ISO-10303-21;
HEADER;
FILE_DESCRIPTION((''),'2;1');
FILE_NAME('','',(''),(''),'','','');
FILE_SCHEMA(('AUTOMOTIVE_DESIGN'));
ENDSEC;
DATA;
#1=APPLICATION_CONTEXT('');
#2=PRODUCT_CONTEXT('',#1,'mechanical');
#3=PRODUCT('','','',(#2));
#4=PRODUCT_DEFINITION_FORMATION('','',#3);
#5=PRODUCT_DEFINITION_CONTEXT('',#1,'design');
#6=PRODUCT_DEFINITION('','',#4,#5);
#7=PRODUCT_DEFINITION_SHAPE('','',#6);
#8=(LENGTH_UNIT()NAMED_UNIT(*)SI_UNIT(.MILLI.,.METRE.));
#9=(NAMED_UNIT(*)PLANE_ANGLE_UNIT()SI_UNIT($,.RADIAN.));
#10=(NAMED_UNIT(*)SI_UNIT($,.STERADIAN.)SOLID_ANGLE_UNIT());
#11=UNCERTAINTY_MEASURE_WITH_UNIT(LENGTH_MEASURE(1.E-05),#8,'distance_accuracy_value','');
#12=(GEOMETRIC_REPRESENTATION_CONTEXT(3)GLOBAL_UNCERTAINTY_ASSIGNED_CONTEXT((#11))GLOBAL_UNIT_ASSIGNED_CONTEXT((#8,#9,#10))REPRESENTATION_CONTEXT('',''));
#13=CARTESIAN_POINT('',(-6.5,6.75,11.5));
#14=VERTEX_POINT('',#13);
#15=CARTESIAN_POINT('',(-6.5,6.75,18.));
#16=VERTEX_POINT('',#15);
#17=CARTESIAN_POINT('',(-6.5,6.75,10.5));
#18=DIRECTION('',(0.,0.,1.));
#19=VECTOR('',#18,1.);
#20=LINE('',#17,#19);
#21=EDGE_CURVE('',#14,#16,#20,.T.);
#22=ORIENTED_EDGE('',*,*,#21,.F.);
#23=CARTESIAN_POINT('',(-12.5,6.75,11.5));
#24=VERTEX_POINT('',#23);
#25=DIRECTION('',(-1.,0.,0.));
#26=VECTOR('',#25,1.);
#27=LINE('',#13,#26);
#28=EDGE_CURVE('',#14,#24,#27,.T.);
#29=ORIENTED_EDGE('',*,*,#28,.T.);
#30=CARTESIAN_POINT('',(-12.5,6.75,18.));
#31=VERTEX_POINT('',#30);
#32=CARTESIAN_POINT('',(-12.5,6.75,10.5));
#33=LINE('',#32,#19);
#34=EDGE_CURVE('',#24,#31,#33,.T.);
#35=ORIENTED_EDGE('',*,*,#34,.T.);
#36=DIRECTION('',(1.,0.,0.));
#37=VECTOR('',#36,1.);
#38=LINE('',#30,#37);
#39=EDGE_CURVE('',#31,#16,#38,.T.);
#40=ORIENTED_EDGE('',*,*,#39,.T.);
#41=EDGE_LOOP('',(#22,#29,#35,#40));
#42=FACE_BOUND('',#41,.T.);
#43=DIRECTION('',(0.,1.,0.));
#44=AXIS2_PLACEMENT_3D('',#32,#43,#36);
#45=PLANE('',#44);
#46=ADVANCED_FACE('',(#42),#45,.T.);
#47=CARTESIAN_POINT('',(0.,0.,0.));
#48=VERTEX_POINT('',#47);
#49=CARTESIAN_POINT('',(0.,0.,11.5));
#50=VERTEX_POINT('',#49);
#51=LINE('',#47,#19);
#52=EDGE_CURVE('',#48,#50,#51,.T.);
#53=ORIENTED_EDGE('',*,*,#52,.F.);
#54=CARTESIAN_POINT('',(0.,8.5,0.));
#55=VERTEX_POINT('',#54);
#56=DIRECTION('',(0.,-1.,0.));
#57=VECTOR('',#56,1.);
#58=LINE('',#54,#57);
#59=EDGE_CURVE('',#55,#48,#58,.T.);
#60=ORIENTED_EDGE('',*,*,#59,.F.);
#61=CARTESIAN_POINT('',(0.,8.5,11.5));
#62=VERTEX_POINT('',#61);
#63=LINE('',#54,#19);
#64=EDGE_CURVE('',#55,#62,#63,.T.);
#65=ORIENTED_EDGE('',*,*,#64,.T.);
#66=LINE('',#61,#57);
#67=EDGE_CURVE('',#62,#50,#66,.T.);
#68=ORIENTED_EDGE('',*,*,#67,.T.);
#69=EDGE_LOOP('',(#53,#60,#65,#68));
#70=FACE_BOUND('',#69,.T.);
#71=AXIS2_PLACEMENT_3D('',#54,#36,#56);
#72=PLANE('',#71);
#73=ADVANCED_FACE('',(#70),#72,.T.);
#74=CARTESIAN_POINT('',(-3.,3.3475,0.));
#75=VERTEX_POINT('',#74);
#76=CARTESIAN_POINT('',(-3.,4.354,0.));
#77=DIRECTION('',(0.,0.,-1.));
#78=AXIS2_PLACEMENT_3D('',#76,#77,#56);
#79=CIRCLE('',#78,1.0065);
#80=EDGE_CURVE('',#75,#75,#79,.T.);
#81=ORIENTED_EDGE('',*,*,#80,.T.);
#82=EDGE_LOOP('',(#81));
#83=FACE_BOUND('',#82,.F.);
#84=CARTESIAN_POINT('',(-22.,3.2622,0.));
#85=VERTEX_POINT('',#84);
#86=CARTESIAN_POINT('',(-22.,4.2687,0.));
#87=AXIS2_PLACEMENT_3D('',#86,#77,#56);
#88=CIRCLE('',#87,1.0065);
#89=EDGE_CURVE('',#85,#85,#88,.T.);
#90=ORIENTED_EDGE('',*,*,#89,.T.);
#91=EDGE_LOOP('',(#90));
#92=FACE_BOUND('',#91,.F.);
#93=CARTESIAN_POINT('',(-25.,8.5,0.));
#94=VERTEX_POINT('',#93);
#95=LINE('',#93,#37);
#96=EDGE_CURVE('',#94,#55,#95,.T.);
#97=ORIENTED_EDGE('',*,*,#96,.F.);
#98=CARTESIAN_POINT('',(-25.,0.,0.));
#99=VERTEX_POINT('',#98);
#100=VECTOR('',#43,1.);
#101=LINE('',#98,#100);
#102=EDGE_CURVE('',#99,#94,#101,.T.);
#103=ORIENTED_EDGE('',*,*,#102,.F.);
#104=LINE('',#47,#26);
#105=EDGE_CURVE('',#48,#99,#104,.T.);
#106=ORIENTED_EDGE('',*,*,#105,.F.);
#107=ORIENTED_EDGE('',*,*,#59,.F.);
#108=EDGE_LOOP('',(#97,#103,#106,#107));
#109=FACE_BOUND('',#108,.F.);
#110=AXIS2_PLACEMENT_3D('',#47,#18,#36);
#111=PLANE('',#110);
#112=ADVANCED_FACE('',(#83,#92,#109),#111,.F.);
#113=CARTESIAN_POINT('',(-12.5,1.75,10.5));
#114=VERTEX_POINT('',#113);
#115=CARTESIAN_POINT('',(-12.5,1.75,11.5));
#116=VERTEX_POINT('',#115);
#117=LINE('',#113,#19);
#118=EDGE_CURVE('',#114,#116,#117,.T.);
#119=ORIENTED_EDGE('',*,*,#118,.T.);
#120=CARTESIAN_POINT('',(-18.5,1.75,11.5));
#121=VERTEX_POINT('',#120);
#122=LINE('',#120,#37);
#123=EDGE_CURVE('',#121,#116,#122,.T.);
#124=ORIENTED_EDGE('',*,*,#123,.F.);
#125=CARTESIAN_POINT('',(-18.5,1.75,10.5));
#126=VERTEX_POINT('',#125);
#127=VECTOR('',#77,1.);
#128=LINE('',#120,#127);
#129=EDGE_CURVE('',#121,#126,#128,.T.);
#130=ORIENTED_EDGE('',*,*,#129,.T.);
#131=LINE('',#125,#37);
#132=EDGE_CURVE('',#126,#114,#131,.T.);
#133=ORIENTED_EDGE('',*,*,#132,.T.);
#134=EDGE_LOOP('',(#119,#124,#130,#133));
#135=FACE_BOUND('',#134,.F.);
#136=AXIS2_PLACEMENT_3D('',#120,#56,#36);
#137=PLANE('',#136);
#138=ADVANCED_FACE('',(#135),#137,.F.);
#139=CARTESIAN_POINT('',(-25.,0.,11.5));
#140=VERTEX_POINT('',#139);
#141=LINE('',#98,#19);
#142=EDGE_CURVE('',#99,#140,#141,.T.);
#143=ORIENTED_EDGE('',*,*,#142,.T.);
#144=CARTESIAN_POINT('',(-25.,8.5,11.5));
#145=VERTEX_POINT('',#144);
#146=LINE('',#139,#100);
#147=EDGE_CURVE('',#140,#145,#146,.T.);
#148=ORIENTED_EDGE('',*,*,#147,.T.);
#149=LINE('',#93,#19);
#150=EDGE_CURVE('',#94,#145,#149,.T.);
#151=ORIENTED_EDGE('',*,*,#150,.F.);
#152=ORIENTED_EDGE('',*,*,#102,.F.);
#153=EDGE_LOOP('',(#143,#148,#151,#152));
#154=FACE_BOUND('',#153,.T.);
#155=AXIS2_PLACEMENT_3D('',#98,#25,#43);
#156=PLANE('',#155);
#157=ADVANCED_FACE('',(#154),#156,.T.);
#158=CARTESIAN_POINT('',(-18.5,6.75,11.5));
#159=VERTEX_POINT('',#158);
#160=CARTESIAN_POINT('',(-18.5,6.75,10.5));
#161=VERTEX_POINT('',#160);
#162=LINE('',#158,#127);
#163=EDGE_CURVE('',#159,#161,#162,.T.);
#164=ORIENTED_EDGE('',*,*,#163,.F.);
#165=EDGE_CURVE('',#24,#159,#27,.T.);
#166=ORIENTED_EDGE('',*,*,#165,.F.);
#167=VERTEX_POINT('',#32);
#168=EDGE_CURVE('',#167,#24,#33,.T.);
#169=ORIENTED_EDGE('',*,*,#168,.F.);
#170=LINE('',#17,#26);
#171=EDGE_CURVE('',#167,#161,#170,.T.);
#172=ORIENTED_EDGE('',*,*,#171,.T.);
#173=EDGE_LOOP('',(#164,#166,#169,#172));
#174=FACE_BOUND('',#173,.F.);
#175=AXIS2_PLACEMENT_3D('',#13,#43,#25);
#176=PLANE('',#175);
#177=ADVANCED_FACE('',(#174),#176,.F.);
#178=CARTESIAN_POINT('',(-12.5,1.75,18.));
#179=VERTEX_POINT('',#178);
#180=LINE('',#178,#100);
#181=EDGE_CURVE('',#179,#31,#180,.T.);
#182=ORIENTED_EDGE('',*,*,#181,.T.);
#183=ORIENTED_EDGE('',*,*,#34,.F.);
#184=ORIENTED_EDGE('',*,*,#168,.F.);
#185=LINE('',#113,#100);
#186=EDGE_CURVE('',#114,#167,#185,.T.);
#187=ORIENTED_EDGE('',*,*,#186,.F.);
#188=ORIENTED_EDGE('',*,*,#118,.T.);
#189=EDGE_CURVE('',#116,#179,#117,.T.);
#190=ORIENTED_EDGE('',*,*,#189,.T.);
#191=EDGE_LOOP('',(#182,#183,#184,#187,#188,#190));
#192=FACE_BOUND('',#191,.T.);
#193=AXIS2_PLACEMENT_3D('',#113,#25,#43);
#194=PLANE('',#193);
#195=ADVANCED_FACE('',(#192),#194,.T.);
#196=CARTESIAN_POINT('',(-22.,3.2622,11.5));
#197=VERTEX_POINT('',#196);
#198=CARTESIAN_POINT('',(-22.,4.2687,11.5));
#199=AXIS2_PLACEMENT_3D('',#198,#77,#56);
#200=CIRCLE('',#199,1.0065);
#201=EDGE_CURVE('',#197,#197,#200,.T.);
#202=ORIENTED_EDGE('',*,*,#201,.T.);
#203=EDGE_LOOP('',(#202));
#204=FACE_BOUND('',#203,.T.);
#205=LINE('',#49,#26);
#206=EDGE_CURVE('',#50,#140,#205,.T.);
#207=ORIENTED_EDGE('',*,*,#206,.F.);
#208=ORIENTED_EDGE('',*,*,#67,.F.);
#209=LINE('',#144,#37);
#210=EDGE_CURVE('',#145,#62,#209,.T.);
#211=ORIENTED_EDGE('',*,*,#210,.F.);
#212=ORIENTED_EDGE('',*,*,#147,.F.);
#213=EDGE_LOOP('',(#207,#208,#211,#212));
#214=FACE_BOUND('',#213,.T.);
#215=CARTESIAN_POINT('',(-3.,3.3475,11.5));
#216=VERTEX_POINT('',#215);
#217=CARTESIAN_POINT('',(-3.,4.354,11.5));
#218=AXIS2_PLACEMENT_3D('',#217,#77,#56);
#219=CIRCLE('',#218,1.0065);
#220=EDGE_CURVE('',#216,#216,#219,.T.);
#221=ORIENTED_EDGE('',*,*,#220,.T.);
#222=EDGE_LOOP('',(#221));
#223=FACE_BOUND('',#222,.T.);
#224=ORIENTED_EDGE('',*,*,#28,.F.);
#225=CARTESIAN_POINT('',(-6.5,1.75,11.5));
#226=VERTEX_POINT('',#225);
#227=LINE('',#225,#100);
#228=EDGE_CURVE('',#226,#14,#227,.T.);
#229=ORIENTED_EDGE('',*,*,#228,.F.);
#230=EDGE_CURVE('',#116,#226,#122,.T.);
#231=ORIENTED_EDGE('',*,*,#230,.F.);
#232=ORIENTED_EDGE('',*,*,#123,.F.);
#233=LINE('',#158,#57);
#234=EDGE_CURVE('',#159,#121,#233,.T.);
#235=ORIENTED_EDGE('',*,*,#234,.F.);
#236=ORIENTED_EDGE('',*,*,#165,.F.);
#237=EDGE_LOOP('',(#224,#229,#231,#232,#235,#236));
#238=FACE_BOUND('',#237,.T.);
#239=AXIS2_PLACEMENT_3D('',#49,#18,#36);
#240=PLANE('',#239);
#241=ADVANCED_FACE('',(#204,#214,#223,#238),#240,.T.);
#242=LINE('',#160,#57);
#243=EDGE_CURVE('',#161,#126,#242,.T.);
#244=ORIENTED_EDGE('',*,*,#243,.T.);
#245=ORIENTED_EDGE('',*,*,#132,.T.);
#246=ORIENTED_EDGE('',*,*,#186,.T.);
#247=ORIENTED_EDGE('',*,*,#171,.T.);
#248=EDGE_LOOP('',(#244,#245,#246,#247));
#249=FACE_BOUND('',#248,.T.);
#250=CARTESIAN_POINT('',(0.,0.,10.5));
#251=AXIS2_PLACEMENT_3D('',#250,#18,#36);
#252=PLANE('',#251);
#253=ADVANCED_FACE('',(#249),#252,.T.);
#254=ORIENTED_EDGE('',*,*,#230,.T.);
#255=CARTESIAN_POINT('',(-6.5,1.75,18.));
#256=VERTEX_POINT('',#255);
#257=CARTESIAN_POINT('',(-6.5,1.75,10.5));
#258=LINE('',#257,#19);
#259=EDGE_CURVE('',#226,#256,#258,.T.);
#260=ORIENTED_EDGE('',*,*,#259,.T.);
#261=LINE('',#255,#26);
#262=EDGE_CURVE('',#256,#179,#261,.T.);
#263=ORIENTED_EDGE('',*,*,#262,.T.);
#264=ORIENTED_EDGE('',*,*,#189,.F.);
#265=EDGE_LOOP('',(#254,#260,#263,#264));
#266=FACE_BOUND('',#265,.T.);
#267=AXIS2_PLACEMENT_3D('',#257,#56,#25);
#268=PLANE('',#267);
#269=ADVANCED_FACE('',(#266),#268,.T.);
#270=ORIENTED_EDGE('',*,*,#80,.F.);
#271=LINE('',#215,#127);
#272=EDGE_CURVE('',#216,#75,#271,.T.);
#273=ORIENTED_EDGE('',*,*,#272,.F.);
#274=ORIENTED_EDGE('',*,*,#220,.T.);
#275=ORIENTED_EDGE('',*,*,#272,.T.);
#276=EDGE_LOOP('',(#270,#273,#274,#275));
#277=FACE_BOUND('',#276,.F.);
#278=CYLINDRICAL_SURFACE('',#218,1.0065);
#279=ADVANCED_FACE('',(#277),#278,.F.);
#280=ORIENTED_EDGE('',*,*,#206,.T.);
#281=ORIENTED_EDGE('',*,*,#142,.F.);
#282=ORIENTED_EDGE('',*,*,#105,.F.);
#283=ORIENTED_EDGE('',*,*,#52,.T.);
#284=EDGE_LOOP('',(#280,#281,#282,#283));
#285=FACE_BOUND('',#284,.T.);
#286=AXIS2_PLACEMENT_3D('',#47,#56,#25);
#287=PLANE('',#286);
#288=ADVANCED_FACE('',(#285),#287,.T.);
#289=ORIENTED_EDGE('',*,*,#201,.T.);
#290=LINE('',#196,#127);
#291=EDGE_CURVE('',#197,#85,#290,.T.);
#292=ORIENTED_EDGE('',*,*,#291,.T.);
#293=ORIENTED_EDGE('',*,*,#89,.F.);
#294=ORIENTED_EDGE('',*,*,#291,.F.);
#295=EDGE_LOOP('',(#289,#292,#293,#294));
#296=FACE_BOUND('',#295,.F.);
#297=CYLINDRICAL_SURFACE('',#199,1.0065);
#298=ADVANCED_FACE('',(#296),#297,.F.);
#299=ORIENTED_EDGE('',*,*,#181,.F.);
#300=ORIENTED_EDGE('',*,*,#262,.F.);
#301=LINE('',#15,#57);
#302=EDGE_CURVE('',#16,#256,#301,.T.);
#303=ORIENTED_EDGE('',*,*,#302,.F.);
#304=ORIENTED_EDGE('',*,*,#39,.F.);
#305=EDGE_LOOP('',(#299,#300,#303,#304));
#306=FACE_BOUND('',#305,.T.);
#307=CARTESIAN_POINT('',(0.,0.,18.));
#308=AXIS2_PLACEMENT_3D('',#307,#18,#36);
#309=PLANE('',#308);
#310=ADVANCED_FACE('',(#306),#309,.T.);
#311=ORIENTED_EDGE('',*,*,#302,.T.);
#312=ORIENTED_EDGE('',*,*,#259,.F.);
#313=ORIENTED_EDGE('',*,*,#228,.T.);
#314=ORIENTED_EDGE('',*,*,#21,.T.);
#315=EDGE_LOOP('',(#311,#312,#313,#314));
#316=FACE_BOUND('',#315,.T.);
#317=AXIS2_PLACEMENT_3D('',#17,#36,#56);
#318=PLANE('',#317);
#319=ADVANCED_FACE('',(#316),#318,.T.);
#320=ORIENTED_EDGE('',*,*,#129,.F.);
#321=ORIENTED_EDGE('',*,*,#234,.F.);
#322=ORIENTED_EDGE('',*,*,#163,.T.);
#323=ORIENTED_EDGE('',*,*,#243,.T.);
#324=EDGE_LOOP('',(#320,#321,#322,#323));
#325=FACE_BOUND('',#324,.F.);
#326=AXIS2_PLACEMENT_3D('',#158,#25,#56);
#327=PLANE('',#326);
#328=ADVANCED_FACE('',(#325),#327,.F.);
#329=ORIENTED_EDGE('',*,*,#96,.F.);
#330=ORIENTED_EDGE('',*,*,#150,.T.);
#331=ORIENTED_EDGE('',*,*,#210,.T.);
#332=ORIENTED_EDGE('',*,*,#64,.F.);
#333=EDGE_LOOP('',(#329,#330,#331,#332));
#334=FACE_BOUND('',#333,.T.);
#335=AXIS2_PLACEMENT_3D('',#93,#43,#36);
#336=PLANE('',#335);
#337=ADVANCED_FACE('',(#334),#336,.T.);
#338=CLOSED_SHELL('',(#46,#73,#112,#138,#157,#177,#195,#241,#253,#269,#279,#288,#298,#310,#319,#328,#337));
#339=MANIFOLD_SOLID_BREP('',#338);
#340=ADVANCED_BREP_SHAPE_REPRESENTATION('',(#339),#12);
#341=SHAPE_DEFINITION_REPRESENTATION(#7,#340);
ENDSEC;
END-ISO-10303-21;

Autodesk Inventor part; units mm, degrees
ref_plane "Plan YZ" through (0, 0, 0) normal (1, 0, 0) x (0, 1, 0)
ref_plane "Plan XZ" through (0, 0, 0) normal (0, 1, 0) x (-1, 0, 0)
ref_plane "Plan XY" through (0, 0, 0) normal (0, 0, 1) x (1, 0, 0)
sketch "Esquisse1" plane through (0, 0, 0) normal (0, 0, 1) x (1, 0, 0)
  line L0 (0, 0) -> (-25, 0)
  line L1 (-25, 0) -> (-25, 8.5)
  line L2 (-25, 8.5) -> (0, 8.5)
  line L3 (0, 8.5) -> (0, 0)
  dimension "d0" = 25
  dimension "d1" = 8.5
extrude "Extrusion1" add sketch "Esquisse1" along normal blind 11.5
sketch "Esquisse6" plane through (0, 0, 11.5) normal (0, 0, 1) x (1, 0, 0)
  line L0 (-18.5, 1.75) -> (-6.5, 1.75)
  line L1 (-6.5, 1.75) -> (-6.5, 6.75)
  line L2 (-6.5, 6.75) -> (-18.5, 6.75)
  line L3 (-18.5, 6.75) -> (-18.5, 1.75)
  line L4 (-6.5, 4.25) -> (0, 4.25) construction
  line L5 (0, 0) -> (0, 8.5) projected
  line L6 (-25, 4.25) -> (-18.5, 4.25) construction
  line L7 (-25, 8.5) -> (-25, 0) construction
  line L8 (-21.7955, 8.5) -> (-21.7955, 6.75) construction
  line L9 (-18.2379, 0) -> (-18.2379, 1.75) construction
  line L10 (-25, 0) -> (0, 0) construction
  line L11 (0, 8.5) -> (-25, 8.5) construction
  dimension "d4" = 5
  dimension "d5" = 12
extrude "Extrusion2" cut sketch "Esquisse6" against normal blind 1
sketch "Esquisse7" plane through (0, 0, 10.5) normal (0, 0, 1) x (1, 0, 0)
  line L0 (-6.5, 1.75) -> (-12.5, 1.75)
  line L1 (-12.5, 1.75) -> (-12.5, 6.75)
  line L2 (-12.5, 6.75) -> (-6.5, 6.75)
  line L3 (-6.5, 6.75) -> (-6.5, 1.75)
  line L4 (-6.5, 1.75) -> (-18.5, 1.75) projected
  line L5 (-18.5, 6.75) -> (-6.5, 6.75) projected
  line L6 (-6.5, 6.75) -> (-6.5, 1.75) projected
  point P0 (0, 0)
  dimension "d8" = 6
extrude "Extrusion3" add sketch "Esquisse7" along normal blind 7.5
sketch "Esquisse8" plane through (0, 0, 11.5) normal (0, 0, 1) x (1, 0, 0)
  line L0 (-3, 4.354) -> (-3, 0.0702) construction
  line L1 (-3, 8.6378) -> (-3, 4.354) construction
  line L2 (0, 0) -> (0, 8.5) construction
  dimension "d18" = 3
hole "Perçage1" at (-3, 4.354, 11.5) direction (0, 0, -1) diameter 2.013 end through all thread size "M2.5x0.45" class "6H" standard "ISO M"
sketch "Esquisse9" plane through (0, 0, 11.5) normal (0, 0, 1) x (1, 0, 0)
  line L0 (-25, 8.5) -> (-25, 0) projected
  line L1 (-22, 0.0375) -> (-22, 4.2687) construction
  line L2 (-22, 4.2687) -> (-22, 8.5) construction
  line L3 (0, 8.5) -> (-25, 8.5) construction
  point P0 (0, 0)
  dimension "d26" = 3
hole "Perçage2" at (-22, 4.2687, 11.5) direction (0, 0, -1) diameter 2.013 end through all thread size "M2.5x0.45" class "6H" standard "ISO M"
properties part number "P1704_013_Switch" material "."
